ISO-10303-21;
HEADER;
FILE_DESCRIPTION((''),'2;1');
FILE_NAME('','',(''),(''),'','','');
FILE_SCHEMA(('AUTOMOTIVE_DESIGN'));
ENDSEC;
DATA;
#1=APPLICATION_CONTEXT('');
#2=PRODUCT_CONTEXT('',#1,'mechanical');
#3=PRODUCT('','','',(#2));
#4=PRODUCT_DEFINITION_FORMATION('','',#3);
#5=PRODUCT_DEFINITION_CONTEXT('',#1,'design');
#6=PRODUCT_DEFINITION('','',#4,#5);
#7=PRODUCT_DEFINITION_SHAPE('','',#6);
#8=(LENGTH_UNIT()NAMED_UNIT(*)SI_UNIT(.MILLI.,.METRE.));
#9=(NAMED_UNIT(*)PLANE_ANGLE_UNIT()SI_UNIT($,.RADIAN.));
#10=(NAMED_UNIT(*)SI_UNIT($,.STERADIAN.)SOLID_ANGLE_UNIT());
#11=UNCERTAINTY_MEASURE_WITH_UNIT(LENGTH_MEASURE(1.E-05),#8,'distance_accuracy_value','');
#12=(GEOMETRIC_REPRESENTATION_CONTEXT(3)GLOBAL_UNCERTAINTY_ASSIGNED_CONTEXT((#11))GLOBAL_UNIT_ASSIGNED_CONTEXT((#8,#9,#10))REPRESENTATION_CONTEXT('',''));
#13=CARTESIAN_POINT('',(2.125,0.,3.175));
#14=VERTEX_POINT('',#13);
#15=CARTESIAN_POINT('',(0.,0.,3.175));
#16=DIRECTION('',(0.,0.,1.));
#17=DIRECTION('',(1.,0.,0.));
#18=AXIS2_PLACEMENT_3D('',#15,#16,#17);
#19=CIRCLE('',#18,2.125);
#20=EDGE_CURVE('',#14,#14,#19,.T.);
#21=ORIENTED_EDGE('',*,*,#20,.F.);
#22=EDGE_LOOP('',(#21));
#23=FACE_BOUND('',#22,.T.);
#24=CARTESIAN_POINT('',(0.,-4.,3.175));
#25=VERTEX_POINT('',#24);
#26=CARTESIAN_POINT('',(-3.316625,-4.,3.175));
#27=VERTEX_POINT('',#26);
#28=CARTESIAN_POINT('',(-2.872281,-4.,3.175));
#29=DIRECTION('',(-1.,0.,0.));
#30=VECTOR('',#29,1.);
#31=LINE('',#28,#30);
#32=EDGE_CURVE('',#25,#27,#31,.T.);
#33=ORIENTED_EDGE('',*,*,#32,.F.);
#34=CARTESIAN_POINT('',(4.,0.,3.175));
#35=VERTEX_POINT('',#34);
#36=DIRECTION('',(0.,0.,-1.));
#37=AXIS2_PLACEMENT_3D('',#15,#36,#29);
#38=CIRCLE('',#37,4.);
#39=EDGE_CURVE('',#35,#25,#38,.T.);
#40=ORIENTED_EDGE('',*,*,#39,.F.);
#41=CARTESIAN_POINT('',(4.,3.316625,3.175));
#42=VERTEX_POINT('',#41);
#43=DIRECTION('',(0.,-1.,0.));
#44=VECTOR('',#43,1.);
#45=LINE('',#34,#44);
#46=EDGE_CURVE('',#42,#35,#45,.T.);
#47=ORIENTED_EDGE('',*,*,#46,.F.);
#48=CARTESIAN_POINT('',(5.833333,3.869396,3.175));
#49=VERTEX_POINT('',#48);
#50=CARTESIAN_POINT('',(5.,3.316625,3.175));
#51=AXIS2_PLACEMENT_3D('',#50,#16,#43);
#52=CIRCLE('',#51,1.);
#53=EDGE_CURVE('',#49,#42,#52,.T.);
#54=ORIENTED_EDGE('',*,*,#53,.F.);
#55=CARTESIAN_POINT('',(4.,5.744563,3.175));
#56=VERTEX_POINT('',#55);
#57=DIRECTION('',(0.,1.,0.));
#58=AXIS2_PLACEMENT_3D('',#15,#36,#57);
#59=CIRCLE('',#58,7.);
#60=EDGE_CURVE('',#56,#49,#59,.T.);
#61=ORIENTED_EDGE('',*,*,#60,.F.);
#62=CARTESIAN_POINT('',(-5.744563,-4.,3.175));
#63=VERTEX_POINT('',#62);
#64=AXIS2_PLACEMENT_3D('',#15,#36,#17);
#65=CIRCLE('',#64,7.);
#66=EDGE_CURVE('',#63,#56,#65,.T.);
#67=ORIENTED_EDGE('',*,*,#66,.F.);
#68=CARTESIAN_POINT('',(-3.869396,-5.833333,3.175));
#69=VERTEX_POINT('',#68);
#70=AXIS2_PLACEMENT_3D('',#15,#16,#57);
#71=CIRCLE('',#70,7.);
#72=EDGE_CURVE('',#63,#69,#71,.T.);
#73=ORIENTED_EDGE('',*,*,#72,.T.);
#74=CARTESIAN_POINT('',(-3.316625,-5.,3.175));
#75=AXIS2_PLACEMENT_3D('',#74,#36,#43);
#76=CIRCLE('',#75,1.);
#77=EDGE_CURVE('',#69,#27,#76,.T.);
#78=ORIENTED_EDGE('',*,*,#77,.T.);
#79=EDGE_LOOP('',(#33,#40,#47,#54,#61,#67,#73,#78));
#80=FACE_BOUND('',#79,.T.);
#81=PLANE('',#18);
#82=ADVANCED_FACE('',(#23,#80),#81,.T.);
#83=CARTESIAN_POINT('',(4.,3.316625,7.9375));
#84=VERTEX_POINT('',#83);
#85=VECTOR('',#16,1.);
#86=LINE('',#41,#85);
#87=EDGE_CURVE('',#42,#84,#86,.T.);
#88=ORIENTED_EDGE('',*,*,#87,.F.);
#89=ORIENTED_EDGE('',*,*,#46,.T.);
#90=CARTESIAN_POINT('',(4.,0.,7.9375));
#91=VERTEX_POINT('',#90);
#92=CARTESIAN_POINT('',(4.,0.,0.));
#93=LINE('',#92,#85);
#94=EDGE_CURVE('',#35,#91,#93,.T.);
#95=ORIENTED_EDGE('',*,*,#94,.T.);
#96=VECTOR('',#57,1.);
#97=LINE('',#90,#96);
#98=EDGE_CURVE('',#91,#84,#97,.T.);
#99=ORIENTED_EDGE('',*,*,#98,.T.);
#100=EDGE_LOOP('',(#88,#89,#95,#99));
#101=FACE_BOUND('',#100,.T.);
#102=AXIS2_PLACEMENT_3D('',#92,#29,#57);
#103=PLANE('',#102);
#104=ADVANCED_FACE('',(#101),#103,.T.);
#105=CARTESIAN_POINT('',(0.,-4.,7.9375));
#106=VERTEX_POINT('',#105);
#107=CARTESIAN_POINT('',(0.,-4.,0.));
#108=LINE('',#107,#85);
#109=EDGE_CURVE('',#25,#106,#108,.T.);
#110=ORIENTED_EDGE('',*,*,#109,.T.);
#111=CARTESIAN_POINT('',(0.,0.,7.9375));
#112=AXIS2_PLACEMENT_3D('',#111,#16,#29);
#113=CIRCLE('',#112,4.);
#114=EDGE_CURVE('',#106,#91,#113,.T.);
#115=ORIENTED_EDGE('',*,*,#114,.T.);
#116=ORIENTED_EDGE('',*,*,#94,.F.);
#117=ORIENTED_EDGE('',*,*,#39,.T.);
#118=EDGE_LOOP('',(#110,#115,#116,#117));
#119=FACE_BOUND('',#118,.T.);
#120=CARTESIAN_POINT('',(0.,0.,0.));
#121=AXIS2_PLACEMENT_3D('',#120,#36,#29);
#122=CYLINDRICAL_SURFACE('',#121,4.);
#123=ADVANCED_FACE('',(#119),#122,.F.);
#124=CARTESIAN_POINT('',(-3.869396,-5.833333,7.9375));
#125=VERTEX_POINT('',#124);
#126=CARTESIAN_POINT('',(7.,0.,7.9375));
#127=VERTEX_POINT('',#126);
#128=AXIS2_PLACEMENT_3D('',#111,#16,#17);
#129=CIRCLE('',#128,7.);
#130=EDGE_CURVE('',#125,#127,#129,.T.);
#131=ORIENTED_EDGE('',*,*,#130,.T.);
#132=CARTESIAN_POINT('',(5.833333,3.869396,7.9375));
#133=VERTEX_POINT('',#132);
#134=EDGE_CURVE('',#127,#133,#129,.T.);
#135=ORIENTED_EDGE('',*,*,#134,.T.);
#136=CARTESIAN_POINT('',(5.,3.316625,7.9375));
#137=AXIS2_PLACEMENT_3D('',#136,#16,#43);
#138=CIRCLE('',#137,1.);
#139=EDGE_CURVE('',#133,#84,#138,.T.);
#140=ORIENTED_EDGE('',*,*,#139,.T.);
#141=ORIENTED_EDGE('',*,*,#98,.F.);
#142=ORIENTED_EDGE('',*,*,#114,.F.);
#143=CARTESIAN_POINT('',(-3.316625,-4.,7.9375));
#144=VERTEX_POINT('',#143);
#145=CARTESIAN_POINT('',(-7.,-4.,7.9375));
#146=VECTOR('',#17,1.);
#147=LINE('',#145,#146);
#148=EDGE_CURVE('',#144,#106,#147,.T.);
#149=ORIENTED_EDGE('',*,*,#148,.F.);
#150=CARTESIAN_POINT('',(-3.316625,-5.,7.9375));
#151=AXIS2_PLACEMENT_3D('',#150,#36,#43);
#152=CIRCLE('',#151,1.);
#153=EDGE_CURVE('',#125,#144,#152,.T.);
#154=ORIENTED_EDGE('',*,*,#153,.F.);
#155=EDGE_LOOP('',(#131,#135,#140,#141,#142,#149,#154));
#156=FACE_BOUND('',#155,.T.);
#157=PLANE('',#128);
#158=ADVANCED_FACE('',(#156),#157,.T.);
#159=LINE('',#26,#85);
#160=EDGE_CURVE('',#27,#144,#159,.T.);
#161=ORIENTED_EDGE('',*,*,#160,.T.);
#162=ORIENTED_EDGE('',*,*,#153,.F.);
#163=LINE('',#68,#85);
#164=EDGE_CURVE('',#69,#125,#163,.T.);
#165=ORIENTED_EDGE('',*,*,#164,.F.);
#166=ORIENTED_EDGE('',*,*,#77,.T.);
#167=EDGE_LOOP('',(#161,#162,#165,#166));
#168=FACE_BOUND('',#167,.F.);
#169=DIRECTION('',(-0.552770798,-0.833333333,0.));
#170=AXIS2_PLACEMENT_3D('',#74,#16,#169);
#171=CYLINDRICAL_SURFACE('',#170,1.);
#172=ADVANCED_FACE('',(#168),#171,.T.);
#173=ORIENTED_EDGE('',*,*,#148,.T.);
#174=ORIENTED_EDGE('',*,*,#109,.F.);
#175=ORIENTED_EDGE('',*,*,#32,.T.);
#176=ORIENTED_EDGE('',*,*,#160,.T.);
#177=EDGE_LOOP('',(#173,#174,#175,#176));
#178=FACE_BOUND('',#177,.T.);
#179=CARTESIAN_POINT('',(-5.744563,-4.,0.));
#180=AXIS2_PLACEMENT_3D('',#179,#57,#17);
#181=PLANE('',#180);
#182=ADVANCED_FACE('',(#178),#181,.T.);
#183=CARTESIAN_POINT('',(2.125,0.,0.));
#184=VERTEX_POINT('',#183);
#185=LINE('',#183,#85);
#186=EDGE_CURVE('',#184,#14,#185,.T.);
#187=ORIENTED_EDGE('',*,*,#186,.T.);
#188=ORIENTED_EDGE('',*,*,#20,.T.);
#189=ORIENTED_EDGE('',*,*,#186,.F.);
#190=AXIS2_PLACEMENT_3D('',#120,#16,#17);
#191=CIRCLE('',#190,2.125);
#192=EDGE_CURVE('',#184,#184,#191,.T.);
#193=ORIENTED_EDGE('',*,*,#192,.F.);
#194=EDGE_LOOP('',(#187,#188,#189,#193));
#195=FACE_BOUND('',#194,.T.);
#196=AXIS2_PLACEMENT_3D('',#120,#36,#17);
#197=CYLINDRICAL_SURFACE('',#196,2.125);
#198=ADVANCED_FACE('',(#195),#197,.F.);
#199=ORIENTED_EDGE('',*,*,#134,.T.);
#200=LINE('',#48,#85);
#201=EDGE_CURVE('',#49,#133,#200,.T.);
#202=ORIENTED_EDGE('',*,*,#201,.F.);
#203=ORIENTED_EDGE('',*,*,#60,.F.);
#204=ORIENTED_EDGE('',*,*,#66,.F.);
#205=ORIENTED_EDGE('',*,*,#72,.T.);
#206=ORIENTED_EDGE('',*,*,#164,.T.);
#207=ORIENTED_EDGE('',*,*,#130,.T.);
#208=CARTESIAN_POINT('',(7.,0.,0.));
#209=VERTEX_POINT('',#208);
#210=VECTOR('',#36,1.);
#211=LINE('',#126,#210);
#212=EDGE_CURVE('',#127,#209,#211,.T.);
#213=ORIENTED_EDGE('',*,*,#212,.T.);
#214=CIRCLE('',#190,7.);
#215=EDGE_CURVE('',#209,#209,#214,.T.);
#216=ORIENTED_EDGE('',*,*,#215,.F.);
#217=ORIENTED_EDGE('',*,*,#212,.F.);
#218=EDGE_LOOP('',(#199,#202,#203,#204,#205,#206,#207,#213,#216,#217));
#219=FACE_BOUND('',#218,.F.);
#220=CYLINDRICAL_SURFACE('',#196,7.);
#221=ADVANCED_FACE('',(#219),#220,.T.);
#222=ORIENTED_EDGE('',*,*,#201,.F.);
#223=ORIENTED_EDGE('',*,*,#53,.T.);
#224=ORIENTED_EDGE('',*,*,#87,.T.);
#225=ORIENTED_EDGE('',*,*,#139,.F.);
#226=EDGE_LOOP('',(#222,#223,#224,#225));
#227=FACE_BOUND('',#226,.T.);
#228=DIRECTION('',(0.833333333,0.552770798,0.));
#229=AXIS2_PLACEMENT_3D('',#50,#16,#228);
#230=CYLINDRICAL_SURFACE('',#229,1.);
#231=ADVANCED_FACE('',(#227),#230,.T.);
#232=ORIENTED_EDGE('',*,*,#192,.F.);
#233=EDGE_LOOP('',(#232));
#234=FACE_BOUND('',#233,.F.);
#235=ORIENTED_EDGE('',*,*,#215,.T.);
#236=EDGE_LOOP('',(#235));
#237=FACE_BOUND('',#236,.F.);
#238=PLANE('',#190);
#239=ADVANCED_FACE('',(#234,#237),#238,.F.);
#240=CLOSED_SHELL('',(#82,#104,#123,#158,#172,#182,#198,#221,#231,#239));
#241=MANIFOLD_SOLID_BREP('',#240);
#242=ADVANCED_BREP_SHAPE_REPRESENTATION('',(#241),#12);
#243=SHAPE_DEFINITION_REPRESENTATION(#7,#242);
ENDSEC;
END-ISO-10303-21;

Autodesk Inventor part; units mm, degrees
ref_plane "YZ Plane" through (0, 0, 0) normal (1, 0, 0) x (0, 1, 0)
ref_plane "XZ Plane" through (0, 0, 0) normal (0, 1, 0) x (-1, 0, 0)
ref_plane "XY Plane" through (0, 0, 0) normal (0, 0, 1) x (1, 0, 0)
sketch "Sketch1" plane through (0, 0, 0) normal (0, 0, 1) x (1, 0, 0)
  circle A0 centre (0, 0) radius 2.125
  circle A1 centre (0, 0) radius 7
  line L0 (0, 0) -> (0, 7) construction
  line L1 (4, 0) -> (4, 7)
  line L2 (-4, 7) -> (-4, 0)
  arc A2 (-4, 0) -> (4, 0) centre (0, 0) ccw
  arc A3 (4, 7) -> (-4, 7) centre (0, 7) ccw construction
  line L3 (0, 0) -> (-7, 0) construction
  line L4 (0, 4) -> (-7, 4)
  line L5 (-7, -4) -> (0, -4)
  arc A4 (0, -4) -> (0, 4) centre (0, 0) ccw
  arc A5 (-7, 4) -> (-7, -4) centre (-7, 0) ccw construction
  circle A6 centre (0, 13.35) radius 6.35 construction
  circle A7 centre (0, 10.35) radius 6.35 construction
  point P0 (0, 3.5)
  point P1 (-3.5, 0)
  point P2 (0, -4)
  point P3 (-5.7446, -4)
  point P4 (4, 5.7446)
  dimension "d0" = 4.25
  dimension "d3" = 14
  dimension "d4" = 8
  dimension "d5" = 8
  dimension "d6" = 90
  dimension "d7" = 12.7
  dimension "d8" = 12.7
extrude "Extrusion1" add sketch "Sketch1" along normal blind 3.175
extrude "Extrusion2" add sketch "Sketch1" along normal blind 7.9375 contours A1 L5 A2 L1
fillet "Fillet1" radius 1 2 edges at (4, 5.7446, 5.5563) (-5.7446, -4, 5.5563)
equation "\"d5\" = d4"
properties part number "Cam - Shell" material "Nylon 6/6"
